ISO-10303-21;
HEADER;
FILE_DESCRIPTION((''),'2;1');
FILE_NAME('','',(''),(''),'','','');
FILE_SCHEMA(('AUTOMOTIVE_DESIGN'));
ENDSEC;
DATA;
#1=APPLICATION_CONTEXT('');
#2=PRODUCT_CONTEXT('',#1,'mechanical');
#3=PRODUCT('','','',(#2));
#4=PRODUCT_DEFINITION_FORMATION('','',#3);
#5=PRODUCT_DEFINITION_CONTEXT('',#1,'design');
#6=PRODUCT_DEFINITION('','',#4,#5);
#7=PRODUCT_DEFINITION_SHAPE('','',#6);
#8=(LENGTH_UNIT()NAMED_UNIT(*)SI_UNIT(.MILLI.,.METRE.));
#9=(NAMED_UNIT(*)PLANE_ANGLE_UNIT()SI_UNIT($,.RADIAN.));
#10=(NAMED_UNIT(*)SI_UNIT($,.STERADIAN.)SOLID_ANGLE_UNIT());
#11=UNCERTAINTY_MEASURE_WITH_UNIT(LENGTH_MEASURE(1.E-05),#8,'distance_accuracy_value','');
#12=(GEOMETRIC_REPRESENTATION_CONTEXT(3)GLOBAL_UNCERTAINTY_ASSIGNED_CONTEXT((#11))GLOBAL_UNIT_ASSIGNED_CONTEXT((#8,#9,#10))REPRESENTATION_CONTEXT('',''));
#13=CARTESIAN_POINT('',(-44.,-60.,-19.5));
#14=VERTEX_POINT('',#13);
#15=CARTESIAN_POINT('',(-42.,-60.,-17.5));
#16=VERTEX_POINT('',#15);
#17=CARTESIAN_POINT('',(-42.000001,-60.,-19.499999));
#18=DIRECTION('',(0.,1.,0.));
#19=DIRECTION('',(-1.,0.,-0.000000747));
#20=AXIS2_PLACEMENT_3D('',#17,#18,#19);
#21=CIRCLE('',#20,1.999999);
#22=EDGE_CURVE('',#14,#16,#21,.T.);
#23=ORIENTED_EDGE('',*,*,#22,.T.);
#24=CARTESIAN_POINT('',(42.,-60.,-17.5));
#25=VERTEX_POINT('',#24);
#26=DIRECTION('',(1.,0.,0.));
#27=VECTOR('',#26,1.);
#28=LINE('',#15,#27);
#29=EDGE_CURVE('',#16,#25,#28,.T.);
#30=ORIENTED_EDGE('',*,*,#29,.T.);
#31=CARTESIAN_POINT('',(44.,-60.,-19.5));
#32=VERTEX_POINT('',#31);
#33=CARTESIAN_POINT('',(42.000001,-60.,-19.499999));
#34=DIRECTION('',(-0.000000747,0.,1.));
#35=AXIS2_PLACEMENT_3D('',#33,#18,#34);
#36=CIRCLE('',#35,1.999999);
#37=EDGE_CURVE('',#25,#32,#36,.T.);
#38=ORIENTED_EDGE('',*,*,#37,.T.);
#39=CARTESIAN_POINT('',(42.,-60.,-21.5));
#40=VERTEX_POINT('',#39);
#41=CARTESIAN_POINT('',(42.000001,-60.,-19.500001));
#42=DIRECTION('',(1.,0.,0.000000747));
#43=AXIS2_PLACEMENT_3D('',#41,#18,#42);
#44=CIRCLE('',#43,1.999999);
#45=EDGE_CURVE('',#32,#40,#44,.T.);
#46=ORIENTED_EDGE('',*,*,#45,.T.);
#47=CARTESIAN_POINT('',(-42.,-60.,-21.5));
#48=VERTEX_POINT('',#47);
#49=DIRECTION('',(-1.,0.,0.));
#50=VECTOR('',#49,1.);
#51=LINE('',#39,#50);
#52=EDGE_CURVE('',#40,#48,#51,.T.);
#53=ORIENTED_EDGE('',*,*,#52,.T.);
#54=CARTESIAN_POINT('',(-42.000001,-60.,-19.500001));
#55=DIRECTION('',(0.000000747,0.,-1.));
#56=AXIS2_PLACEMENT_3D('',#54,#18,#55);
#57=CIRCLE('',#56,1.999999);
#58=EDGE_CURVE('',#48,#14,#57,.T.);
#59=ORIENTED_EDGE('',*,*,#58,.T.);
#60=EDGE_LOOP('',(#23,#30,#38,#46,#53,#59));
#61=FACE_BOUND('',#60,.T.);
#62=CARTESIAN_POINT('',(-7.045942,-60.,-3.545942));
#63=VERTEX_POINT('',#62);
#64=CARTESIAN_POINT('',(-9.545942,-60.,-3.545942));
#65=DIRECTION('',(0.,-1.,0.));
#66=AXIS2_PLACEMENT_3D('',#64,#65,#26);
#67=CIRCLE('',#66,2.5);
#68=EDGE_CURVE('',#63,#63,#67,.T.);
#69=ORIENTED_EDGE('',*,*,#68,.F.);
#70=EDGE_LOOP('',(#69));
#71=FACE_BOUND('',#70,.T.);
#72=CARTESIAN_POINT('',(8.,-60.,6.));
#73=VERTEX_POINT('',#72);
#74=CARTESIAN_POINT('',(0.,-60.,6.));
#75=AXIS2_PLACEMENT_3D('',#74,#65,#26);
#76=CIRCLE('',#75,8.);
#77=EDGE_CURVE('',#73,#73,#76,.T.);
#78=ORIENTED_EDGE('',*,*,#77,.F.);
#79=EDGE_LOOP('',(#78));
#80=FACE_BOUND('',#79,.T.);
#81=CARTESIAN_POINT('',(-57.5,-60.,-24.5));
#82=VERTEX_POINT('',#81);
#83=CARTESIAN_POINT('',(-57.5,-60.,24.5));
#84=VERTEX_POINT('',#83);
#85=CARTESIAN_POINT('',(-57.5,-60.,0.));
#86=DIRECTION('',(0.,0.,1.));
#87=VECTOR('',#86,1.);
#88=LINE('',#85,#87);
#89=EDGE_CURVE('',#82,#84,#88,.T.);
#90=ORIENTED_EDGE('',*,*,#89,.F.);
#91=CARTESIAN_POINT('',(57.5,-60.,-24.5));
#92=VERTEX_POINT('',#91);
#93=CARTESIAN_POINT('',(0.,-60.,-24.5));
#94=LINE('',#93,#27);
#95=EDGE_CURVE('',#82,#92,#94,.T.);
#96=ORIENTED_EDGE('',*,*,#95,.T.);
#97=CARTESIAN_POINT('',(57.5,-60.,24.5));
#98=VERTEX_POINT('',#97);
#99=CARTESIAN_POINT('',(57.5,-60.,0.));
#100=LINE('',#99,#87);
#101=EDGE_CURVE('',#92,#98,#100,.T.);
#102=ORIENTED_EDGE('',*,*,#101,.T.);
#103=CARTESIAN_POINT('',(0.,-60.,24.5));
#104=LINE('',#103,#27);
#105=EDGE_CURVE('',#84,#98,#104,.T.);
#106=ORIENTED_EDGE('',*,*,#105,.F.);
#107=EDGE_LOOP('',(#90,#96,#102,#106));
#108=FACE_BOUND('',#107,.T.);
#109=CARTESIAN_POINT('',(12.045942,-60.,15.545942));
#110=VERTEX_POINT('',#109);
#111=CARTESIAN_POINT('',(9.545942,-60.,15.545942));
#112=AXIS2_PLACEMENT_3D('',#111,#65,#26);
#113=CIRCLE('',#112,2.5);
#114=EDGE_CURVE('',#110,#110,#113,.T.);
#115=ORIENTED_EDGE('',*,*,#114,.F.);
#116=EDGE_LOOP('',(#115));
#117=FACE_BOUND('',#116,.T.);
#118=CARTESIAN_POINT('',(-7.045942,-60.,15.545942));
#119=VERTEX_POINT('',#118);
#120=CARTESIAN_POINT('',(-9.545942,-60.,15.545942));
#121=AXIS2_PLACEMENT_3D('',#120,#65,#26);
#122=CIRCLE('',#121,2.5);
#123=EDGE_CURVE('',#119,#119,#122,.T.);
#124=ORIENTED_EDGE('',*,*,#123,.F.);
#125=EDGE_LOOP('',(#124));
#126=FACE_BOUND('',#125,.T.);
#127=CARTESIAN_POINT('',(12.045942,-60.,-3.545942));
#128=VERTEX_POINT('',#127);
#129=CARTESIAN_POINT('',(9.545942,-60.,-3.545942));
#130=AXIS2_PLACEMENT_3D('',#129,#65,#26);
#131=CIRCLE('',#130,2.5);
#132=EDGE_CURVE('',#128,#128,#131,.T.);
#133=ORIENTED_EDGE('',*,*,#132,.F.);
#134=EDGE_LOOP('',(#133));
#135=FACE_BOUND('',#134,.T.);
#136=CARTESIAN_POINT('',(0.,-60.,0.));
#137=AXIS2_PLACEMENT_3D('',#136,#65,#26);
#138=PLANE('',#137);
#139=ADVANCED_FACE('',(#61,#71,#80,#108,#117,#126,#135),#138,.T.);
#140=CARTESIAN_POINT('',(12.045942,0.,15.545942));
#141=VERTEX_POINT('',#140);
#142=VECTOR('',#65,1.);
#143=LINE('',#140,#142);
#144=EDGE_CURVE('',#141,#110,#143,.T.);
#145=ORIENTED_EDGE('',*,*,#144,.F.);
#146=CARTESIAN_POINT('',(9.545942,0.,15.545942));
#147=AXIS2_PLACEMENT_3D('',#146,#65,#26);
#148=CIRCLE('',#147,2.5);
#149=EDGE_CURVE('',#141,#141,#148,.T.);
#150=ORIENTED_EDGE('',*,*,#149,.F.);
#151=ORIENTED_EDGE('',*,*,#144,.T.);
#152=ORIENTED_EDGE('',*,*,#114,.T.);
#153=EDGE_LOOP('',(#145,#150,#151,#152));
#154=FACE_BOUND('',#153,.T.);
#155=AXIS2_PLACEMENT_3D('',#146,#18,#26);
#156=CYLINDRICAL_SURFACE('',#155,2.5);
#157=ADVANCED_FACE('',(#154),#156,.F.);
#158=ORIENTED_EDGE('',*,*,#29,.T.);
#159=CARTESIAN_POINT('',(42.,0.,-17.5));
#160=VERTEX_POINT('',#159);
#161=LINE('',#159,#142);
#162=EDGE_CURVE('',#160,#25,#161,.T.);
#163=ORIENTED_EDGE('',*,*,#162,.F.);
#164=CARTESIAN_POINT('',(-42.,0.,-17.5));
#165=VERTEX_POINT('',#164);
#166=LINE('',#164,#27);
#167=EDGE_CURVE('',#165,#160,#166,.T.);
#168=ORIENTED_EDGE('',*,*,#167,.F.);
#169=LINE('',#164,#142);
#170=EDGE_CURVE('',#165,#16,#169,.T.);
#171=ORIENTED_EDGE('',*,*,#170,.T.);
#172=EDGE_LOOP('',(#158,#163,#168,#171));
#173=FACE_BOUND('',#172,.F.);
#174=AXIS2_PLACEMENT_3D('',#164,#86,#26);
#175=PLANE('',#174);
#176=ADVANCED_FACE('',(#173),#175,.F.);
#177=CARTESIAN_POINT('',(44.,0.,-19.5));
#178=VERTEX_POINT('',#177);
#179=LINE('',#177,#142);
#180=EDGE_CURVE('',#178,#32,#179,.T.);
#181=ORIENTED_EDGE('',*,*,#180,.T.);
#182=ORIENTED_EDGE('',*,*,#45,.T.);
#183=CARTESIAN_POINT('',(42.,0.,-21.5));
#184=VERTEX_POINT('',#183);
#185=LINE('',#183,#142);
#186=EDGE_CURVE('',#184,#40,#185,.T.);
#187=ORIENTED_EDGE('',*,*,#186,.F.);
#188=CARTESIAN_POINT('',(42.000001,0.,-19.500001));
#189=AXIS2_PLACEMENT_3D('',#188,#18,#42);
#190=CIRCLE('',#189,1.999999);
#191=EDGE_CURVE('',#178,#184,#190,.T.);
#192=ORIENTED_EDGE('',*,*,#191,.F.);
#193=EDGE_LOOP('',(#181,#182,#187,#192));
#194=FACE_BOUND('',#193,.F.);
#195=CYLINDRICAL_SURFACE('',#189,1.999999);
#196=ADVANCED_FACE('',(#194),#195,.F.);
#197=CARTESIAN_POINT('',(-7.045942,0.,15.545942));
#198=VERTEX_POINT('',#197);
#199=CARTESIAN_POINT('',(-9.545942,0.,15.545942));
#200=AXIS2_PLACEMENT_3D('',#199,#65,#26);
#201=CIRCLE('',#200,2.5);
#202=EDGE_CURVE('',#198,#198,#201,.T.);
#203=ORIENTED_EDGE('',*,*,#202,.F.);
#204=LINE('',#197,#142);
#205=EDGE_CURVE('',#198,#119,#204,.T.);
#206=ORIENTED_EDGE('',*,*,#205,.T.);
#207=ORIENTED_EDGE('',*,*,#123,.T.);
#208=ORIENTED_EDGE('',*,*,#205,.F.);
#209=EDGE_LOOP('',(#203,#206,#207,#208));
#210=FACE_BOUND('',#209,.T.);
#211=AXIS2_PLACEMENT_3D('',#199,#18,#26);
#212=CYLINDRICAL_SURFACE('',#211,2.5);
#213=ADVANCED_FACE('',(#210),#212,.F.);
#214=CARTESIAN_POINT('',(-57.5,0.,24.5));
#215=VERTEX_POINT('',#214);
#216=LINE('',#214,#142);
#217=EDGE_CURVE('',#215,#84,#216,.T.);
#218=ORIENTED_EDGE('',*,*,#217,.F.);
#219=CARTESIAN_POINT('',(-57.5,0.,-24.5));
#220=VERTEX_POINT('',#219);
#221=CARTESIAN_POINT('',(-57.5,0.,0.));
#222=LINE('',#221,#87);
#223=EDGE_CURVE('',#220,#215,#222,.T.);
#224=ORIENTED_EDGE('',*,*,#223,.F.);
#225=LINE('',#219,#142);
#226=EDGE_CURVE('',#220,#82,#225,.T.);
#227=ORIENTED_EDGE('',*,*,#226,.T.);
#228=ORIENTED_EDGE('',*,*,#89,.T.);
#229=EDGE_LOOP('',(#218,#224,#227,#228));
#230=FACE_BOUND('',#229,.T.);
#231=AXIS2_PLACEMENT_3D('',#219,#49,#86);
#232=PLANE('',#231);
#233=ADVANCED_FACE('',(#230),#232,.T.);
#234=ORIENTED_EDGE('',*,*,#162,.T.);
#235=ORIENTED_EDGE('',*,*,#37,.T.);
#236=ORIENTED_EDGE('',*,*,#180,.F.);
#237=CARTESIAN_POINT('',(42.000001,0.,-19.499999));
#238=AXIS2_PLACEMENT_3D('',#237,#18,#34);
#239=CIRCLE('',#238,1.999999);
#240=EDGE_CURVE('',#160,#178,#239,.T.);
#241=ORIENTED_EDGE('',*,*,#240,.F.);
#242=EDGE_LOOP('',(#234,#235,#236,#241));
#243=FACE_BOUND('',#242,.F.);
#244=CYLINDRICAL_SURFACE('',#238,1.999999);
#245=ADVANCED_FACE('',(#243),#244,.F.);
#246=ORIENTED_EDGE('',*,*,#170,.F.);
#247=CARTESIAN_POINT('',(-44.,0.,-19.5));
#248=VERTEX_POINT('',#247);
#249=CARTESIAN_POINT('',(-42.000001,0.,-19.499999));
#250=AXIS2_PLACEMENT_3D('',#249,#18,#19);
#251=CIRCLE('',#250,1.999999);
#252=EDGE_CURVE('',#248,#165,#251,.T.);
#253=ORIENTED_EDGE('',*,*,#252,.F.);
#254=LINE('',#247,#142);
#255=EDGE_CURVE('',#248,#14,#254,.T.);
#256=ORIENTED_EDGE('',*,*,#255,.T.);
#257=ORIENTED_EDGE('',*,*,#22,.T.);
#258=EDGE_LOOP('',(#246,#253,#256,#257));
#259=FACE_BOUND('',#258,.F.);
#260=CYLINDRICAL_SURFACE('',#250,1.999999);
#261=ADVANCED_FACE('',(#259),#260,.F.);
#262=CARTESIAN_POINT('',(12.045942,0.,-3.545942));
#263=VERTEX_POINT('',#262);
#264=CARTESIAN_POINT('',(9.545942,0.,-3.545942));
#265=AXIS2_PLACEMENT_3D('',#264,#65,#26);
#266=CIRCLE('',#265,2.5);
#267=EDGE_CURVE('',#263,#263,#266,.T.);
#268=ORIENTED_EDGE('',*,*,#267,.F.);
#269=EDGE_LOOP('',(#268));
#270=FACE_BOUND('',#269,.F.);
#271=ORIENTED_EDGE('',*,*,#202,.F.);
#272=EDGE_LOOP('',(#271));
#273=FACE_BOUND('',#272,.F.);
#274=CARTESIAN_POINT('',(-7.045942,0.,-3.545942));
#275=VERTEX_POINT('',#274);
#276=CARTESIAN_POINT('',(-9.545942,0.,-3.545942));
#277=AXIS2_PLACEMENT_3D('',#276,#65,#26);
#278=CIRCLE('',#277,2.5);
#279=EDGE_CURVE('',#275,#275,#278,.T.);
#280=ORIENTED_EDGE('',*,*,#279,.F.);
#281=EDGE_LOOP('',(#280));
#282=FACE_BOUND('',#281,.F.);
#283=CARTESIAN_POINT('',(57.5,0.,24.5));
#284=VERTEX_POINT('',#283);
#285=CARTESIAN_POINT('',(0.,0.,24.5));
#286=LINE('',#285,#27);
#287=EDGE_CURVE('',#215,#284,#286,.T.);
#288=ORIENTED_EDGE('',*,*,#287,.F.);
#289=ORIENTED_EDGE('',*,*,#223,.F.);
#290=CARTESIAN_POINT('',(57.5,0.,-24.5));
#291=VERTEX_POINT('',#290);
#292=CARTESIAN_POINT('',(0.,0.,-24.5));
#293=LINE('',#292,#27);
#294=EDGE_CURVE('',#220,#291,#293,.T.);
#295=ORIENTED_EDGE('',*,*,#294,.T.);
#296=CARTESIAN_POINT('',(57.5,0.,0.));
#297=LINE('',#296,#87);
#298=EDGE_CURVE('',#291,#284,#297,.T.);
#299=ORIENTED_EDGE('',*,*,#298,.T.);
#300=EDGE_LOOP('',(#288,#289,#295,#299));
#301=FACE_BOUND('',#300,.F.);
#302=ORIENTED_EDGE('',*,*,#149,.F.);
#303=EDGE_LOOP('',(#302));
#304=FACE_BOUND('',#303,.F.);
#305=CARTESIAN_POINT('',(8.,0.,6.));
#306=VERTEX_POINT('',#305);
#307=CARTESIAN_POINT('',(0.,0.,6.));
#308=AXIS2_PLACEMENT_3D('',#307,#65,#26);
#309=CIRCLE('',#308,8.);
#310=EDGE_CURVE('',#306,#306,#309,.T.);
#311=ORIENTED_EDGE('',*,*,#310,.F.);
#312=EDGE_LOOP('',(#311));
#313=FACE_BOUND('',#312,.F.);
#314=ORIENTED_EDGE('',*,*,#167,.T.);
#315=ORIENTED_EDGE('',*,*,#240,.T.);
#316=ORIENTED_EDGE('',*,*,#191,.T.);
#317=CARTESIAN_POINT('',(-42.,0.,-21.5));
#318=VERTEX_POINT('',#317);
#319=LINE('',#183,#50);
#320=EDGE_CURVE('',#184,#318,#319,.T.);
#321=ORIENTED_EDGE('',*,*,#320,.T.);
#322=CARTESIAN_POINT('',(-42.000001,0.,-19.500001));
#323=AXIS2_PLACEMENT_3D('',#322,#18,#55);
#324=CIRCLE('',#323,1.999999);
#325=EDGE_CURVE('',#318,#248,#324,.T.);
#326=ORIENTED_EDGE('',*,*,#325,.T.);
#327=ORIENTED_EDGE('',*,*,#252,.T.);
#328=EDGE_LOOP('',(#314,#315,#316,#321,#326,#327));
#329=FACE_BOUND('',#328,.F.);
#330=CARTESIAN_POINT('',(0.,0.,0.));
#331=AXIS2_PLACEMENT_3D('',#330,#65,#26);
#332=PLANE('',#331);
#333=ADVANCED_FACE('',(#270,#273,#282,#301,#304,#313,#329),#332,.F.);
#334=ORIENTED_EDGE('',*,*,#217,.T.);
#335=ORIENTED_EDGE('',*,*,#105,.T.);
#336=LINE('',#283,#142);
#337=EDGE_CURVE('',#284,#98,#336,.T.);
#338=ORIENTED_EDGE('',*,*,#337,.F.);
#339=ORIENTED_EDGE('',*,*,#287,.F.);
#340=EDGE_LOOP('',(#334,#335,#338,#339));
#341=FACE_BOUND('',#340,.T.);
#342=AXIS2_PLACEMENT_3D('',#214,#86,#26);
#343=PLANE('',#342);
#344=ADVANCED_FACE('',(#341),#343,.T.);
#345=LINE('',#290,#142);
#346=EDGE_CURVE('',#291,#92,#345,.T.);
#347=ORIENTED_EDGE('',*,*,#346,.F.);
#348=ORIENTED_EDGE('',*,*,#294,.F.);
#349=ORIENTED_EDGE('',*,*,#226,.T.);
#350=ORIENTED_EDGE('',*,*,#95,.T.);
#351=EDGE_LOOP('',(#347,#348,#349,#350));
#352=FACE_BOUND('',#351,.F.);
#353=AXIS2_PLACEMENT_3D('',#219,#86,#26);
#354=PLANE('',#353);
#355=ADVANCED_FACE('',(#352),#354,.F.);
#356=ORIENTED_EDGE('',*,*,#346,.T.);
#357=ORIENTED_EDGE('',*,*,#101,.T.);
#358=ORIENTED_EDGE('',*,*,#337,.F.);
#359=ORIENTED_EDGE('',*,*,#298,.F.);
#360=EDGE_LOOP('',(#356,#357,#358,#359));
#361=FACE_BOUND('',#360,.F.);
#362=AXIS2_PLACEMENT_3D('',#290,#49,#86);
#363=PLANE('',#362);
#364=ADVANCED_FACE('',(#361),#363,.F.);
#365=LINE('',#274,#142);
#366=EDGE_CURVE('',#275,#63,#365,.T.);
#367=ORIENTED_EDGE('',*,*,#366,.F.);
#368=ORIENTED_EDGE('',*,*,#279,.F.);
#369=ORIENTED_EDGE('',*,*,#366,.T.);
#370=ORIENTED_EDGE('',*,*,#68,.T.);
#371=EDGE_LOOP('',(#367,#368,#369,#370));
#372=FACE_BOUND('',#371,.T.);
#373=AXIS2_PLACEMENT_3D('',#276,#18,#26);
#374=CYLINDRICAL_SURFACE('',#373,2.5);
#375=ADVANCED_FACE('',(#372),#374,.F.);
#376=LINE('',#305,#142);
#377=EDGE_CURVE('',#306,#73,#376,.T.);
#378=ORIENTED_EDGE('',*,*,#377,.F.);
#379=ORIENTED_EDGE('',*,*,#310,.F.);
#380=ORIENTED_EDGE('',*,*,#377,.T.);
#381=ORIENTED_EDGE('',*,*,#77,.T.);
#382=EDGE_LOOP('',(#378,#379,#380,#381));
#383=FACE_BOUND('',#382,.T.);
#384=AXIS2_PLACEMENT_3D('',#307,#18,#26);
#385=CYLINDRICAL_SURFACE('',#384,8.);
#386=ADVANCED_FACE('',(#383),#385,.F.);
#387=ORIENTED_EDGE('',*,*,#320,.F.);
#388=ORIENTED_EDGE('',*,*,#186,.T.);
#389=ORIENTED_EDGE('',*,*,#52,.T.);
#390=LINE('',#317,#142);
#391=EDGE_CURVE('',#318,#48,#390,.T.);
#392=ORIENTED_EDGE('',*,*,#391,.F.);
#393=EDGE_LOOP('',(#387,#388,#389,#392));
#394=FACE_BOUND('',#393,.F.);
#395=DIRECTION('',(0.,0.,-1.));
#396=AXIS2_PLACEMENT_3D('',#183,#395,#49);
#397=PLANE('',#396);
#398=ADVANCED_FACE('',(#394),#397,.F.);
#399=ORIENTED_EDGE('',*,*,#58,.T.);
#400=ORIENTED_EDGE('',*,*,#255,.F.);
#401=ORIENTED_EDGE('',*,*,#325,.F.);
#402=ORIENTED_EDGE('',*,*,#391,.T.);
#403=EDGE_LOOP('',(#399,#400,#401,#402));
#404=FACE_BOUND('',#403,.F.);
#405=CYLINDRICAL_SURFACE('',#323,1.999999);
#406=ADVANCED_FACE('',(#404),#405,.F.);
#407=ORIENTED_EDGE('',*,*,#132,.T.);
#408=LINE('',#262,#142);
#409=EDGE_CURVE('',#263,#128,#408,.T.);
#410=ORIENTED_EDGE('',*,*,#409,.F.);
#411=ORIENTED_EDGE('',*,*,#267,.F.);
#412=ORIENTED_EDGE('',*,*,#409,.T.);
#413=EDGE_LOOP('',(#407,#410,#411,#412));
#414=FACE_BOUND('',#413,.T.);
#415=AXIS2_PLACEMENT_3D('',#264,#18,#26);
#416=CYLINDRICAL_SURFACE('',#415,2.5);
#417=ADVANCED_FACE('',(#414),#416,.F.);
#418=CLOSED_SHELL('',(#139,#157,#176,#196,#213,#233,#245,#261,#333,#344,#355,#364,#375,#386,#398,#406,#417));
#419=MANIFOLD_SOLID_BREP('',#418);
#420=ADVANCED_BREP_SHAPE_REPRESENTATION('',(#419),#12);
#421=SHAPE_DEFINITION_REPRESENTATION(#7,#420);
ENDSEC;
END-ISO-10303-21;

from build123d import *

# Parameters (mm, degrees)
F0_W     = 115
F0_H     = 49
F0_R     = 2.5
F0_R_2   = 8
F1_DEPTH = 60


with BuildPart() as f1:
    # F0 (on Front) → F1 (new body)
    with BuildSketch(Plane.XZ):
        Rectangle(F0_W, F0_H)
        with Locations((-9.545942, -3.545942)):
            Circle(F0_R, mode=Mode.SUBTRACT)
        with BuildLine():
            ThreePointArc((44, -19.5), (43.414214, -20.914214), (42, -21.5))
            Line((42, -21.5), (-42, -21.5))
            ThreePointArc((-42, -21.5), (-43.414214, -20.914214), (-44, -19.5))
            ThreePointArc((-44, -19.5), (-43.414214, -18.085786), (-42, -17.5))
            Line((-42, -17.5), (42, -17.5))
            ThreePointArc((42, -17.5), (43.414214, -18.085786), (44, -19.5))
        make_face(mode=Mode.SUBTRACT)
        with Locations((9.545942, -3.545942)):
            Circle(F0_R, mode=Mode.SUBTRACT)
        with Locations((-9.545942, 15.545942)):
            Circle(F0_R, mode=Mode.SUBTRACT)
        with Locations((0, 6)):
            Circle(F0_R_2, mode=Mode.SUBTRACT)
        with Locations((9.545942, 15.545942)):
            Circle(F0_R, mode=Mode.SUBTRACT)
    extrude(amount=F1_DEPTH)


solid = f1.part
